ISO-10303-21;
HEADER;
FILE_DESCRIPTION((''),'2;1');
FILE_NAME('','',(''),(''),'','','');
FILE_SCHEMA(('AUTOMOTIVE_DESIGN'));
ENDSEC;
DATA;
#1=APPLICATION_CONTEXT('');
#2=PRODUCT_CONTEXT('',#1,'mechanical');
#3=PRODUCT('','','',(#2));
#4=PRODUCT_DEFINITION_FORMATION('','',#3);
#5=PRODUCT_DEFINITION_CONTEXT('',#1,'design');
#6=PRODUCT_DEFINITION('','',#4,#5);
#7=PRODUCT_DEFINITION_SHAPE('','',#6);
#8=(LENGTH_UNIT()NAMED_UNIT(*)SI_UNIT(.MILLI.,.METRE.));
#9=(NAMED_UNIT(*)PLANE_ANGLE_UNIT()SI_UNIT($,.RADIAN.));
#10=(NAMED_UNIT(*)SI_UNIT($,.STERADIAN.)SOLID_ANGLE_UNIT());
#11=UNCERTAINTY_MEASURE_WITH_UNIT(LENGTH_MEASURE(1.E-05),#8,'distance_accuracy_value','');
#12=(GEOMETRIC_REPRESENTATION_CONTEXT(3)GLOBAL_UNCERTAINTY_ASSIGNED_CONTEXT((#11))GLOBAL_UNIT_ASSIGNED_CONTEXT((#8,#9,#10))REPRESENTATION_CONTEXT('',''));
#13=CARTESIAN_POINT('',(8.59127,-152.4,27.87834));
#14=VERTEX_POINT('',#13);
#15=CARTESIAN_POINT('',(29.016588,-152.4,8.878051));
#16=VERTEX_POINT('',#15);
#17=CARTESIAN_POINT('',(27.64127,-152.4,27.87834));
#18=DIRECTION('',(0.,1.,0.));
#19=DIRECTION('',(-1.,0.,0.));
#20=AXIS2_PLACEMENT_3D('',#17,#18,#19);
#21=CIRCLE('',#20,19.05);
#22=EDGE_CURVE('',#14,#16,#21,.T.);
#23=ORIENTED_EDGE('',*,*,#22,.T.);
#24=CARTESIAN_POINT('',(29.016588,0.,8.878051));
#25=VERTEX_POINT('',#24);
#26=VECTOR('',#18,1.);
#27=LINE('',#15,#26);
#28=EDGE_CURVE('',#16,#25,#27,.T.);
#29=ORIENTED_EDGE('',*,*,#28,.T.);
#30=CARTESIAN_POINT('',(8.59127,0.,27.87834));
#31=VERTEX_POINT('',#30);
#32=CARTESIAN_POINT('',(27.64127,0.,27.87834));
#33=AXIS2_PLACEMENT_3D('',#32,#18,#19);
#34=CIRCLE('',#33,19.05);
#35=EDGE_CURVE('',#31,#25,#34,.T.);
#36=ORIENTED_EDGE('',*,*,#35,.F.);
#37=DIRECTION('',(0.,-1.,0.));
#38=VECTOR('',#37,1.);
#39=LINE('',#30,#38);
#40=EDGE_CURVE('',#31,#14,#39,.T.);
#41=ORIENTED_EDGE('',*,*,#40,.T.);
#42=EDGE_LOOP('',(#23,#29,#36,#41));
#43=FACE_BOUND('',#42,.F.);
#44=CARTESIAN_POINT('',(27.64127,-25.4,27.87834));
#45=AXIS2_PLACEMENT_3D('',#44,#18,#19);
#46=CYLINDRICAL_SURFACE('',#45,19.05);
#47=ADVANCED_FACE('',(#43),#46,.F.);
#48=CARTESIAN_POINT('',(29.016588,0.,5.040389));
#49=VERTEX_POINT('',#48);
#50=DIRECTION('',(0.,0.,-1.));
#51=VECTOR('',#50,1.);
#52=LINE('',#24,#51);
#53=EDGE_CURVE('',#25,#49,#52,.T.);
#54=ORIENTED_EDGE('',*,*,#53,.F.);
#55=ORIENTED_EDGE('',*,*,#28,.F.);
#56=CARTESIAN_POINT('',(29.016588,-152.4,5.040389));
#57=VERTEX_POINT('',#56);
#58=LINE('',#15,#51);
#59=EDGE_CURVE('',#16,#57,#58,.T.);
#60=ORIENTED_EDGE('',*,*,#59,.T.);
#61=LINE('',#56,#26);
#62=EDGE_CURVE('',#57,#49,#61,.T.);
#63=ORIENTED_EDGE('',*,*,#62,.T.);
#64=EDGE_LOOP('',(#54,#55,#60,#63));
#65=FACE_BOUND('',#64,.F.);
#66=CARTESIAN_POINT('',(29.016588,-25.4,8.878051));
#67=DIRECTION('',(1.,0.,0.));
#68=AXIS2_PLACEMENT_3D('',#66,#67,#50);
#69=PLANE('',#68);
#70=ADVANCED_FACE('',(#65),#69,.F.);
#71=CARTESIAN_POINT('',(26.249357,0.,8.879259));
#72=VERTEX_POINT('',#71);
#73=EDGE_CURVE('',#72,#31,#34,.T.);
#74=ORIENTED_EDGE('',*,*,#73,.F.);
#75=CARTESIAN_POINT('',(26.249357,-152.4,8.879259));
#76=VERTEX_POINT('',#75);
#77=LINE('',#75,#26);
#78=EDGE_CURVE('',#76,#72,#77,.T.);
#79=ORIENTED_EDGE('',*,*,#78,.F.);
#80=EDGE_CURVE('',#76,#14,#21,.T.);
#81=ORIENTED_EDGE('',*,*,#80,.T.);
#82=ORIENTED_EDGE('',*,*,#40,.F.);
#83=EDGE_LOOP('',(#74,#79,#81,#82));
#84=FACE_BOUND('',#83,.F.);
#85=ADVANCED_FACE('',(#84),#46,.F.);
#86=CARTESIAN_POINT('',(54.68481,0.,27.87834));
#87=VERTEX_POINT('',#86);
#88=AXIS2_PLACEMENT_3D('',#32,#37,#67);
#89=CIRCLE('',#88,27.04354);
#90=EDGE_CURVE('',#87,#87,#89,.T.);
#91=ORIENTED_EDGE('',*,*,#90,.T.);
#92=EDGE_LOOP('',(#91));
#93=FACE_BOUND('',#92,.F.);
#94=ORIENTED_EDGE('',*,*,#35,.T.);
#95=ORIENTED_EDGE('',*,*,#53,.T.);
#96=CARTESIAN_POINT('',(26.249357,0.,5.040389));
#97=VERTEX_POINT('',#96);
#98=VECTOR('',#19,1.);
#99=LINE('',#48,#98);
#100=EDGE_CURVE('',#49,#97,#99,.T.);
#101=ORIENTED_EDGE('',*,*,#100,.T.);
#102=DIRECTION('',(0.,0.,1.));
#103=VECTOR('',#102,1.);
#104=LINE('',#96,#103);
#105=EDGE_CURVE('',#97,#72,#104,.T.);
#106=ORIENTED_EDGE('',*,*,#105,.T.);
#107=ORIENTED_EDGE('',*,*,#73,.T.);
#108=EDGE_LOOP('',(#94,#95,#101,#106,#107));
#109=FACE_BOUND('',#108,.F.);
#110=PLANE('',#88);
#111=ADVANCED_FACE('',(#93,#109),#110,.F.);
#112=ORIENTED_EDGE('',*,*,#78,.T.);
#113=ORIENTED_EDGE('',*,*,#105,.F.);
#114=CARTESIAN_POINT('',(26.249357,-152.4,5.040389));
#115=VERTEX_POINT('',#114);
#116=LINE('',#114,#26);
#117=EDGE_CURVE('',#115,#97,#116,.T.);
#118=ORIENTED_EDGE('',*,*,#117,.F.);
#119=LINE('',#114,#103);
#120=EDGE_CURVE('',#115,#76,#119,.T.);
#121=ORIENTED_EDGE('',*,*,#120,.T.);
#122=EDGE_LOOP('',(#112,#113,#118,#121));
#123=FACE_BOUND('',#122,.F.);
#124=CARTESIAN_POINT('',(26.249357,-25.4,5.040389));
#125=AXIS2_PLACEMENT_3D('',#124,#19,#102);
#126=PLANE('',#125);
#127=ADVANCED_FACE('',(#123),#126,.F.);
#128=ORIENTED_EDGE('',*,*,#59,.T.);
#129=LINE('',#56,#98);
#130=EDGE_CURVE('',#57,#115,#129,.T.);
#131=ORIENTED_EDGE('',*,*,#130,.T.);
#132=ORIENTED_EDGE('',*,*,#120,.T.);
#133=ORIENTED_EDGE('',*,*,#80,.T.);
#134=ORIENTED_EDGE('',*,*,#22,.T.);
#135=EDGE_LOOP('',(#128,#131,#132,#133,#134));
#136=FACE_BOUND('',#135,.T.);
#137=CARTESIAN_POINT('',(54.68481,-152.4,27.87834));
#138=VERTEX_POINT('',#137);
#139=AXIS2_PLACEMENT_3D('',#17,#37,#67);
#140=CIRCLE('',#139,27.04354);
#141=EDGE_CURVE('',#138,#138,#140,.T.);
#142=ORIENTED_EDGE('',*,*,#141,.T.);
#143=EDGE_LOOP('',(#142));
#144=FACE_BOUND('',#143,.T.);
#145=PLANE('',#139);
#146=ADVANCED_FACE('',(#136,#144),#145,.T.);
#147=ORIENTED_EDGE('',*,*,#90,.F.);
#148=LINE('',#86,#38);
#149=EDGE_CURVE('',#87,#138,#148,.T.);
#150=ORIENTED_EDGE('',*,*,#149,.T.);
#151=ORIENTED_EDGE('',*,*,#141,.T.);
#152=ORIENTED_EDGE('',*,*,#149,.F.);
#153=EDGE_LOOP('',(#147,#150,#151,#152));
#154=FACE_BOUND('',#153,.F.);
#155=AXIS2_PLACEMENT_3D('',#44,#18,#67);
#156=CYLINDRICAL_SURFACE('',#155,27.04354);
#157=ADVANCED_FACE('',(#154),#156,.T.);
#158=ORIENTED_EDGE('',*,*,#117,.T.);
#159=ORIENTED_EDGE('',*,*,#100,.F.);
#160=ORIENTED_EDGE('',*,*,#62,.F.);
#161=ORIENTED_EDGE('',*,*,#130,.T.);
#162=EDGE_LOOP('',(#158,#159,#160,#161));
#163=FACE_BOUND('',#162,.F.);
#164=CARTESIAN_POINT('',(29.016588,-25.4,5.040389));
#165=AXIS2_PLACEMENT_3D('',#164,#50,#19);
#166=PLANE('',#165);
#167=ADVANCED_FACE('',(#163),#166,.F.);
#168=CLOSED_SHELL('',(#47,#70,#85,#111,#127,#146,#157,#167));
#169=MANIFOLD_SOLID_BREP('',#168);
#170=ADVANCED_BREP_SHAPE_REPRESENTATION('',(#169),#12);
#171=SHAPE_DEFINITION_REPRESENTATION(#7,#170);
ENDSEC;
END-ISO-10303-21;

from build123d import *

# Parameters (mm, degrees)
F0_R     = 27.0435400324
F1_DEPTH = 25.4
F3_D     = 38.1
F5_DEPTH = 25.4
F6_DEPTH = 127


with BuildPart() as f1:
    # F0 (on Front) → F1 (new body)
    with BuildSketch(Plane.XZ):
        with Locations((27.6412703097, 27.8783403337)):
            Circle(F0_R)
    extrude(amount=F1_DEPTH)

    # F3 (through all)
    with Locations(Plane.XZ.offset(25.4)):
        with Locations((27.6412703097, 27.8783403337)):
            Hole(F3_D / 2)

    # F4 (on face) → F5 (cut)
    with BuildSketch(Plane(origin=(0, 0, 0), x_dir=(-1, 0, 0), z_dir=(0, 1, 0))):
        with BuildLine():
            Line((-26.2493573993, 5.0403885543), (-26.2493573993, 8.8792593441))
            ThreePointArc((-26.2493573993, 8.8792593441), (-27.6329506683, 8.8283421504), (-29.0165878832, 8.8780508209))
            Line((-29.0165878832, 8.8780508209), (-29.0165878832, 5.0403885543))
            Line((-29.0165878832, 5.0403885543), (-26.2493573993, 5.0403885543))
        make_face()
    extrude(amount=-F5_DEPTH, mode=Mode.SUBTRACT)

    # F6 (add): a face of the model
    f6_faces = [f1.faces().sort_by_distance(p)[0] for p in [
        (1.362637099, -25.4, 27.8783403337),
    ]]
    extrude(f6_faces, amount=F6_DEPTH)


solid = f1.part
